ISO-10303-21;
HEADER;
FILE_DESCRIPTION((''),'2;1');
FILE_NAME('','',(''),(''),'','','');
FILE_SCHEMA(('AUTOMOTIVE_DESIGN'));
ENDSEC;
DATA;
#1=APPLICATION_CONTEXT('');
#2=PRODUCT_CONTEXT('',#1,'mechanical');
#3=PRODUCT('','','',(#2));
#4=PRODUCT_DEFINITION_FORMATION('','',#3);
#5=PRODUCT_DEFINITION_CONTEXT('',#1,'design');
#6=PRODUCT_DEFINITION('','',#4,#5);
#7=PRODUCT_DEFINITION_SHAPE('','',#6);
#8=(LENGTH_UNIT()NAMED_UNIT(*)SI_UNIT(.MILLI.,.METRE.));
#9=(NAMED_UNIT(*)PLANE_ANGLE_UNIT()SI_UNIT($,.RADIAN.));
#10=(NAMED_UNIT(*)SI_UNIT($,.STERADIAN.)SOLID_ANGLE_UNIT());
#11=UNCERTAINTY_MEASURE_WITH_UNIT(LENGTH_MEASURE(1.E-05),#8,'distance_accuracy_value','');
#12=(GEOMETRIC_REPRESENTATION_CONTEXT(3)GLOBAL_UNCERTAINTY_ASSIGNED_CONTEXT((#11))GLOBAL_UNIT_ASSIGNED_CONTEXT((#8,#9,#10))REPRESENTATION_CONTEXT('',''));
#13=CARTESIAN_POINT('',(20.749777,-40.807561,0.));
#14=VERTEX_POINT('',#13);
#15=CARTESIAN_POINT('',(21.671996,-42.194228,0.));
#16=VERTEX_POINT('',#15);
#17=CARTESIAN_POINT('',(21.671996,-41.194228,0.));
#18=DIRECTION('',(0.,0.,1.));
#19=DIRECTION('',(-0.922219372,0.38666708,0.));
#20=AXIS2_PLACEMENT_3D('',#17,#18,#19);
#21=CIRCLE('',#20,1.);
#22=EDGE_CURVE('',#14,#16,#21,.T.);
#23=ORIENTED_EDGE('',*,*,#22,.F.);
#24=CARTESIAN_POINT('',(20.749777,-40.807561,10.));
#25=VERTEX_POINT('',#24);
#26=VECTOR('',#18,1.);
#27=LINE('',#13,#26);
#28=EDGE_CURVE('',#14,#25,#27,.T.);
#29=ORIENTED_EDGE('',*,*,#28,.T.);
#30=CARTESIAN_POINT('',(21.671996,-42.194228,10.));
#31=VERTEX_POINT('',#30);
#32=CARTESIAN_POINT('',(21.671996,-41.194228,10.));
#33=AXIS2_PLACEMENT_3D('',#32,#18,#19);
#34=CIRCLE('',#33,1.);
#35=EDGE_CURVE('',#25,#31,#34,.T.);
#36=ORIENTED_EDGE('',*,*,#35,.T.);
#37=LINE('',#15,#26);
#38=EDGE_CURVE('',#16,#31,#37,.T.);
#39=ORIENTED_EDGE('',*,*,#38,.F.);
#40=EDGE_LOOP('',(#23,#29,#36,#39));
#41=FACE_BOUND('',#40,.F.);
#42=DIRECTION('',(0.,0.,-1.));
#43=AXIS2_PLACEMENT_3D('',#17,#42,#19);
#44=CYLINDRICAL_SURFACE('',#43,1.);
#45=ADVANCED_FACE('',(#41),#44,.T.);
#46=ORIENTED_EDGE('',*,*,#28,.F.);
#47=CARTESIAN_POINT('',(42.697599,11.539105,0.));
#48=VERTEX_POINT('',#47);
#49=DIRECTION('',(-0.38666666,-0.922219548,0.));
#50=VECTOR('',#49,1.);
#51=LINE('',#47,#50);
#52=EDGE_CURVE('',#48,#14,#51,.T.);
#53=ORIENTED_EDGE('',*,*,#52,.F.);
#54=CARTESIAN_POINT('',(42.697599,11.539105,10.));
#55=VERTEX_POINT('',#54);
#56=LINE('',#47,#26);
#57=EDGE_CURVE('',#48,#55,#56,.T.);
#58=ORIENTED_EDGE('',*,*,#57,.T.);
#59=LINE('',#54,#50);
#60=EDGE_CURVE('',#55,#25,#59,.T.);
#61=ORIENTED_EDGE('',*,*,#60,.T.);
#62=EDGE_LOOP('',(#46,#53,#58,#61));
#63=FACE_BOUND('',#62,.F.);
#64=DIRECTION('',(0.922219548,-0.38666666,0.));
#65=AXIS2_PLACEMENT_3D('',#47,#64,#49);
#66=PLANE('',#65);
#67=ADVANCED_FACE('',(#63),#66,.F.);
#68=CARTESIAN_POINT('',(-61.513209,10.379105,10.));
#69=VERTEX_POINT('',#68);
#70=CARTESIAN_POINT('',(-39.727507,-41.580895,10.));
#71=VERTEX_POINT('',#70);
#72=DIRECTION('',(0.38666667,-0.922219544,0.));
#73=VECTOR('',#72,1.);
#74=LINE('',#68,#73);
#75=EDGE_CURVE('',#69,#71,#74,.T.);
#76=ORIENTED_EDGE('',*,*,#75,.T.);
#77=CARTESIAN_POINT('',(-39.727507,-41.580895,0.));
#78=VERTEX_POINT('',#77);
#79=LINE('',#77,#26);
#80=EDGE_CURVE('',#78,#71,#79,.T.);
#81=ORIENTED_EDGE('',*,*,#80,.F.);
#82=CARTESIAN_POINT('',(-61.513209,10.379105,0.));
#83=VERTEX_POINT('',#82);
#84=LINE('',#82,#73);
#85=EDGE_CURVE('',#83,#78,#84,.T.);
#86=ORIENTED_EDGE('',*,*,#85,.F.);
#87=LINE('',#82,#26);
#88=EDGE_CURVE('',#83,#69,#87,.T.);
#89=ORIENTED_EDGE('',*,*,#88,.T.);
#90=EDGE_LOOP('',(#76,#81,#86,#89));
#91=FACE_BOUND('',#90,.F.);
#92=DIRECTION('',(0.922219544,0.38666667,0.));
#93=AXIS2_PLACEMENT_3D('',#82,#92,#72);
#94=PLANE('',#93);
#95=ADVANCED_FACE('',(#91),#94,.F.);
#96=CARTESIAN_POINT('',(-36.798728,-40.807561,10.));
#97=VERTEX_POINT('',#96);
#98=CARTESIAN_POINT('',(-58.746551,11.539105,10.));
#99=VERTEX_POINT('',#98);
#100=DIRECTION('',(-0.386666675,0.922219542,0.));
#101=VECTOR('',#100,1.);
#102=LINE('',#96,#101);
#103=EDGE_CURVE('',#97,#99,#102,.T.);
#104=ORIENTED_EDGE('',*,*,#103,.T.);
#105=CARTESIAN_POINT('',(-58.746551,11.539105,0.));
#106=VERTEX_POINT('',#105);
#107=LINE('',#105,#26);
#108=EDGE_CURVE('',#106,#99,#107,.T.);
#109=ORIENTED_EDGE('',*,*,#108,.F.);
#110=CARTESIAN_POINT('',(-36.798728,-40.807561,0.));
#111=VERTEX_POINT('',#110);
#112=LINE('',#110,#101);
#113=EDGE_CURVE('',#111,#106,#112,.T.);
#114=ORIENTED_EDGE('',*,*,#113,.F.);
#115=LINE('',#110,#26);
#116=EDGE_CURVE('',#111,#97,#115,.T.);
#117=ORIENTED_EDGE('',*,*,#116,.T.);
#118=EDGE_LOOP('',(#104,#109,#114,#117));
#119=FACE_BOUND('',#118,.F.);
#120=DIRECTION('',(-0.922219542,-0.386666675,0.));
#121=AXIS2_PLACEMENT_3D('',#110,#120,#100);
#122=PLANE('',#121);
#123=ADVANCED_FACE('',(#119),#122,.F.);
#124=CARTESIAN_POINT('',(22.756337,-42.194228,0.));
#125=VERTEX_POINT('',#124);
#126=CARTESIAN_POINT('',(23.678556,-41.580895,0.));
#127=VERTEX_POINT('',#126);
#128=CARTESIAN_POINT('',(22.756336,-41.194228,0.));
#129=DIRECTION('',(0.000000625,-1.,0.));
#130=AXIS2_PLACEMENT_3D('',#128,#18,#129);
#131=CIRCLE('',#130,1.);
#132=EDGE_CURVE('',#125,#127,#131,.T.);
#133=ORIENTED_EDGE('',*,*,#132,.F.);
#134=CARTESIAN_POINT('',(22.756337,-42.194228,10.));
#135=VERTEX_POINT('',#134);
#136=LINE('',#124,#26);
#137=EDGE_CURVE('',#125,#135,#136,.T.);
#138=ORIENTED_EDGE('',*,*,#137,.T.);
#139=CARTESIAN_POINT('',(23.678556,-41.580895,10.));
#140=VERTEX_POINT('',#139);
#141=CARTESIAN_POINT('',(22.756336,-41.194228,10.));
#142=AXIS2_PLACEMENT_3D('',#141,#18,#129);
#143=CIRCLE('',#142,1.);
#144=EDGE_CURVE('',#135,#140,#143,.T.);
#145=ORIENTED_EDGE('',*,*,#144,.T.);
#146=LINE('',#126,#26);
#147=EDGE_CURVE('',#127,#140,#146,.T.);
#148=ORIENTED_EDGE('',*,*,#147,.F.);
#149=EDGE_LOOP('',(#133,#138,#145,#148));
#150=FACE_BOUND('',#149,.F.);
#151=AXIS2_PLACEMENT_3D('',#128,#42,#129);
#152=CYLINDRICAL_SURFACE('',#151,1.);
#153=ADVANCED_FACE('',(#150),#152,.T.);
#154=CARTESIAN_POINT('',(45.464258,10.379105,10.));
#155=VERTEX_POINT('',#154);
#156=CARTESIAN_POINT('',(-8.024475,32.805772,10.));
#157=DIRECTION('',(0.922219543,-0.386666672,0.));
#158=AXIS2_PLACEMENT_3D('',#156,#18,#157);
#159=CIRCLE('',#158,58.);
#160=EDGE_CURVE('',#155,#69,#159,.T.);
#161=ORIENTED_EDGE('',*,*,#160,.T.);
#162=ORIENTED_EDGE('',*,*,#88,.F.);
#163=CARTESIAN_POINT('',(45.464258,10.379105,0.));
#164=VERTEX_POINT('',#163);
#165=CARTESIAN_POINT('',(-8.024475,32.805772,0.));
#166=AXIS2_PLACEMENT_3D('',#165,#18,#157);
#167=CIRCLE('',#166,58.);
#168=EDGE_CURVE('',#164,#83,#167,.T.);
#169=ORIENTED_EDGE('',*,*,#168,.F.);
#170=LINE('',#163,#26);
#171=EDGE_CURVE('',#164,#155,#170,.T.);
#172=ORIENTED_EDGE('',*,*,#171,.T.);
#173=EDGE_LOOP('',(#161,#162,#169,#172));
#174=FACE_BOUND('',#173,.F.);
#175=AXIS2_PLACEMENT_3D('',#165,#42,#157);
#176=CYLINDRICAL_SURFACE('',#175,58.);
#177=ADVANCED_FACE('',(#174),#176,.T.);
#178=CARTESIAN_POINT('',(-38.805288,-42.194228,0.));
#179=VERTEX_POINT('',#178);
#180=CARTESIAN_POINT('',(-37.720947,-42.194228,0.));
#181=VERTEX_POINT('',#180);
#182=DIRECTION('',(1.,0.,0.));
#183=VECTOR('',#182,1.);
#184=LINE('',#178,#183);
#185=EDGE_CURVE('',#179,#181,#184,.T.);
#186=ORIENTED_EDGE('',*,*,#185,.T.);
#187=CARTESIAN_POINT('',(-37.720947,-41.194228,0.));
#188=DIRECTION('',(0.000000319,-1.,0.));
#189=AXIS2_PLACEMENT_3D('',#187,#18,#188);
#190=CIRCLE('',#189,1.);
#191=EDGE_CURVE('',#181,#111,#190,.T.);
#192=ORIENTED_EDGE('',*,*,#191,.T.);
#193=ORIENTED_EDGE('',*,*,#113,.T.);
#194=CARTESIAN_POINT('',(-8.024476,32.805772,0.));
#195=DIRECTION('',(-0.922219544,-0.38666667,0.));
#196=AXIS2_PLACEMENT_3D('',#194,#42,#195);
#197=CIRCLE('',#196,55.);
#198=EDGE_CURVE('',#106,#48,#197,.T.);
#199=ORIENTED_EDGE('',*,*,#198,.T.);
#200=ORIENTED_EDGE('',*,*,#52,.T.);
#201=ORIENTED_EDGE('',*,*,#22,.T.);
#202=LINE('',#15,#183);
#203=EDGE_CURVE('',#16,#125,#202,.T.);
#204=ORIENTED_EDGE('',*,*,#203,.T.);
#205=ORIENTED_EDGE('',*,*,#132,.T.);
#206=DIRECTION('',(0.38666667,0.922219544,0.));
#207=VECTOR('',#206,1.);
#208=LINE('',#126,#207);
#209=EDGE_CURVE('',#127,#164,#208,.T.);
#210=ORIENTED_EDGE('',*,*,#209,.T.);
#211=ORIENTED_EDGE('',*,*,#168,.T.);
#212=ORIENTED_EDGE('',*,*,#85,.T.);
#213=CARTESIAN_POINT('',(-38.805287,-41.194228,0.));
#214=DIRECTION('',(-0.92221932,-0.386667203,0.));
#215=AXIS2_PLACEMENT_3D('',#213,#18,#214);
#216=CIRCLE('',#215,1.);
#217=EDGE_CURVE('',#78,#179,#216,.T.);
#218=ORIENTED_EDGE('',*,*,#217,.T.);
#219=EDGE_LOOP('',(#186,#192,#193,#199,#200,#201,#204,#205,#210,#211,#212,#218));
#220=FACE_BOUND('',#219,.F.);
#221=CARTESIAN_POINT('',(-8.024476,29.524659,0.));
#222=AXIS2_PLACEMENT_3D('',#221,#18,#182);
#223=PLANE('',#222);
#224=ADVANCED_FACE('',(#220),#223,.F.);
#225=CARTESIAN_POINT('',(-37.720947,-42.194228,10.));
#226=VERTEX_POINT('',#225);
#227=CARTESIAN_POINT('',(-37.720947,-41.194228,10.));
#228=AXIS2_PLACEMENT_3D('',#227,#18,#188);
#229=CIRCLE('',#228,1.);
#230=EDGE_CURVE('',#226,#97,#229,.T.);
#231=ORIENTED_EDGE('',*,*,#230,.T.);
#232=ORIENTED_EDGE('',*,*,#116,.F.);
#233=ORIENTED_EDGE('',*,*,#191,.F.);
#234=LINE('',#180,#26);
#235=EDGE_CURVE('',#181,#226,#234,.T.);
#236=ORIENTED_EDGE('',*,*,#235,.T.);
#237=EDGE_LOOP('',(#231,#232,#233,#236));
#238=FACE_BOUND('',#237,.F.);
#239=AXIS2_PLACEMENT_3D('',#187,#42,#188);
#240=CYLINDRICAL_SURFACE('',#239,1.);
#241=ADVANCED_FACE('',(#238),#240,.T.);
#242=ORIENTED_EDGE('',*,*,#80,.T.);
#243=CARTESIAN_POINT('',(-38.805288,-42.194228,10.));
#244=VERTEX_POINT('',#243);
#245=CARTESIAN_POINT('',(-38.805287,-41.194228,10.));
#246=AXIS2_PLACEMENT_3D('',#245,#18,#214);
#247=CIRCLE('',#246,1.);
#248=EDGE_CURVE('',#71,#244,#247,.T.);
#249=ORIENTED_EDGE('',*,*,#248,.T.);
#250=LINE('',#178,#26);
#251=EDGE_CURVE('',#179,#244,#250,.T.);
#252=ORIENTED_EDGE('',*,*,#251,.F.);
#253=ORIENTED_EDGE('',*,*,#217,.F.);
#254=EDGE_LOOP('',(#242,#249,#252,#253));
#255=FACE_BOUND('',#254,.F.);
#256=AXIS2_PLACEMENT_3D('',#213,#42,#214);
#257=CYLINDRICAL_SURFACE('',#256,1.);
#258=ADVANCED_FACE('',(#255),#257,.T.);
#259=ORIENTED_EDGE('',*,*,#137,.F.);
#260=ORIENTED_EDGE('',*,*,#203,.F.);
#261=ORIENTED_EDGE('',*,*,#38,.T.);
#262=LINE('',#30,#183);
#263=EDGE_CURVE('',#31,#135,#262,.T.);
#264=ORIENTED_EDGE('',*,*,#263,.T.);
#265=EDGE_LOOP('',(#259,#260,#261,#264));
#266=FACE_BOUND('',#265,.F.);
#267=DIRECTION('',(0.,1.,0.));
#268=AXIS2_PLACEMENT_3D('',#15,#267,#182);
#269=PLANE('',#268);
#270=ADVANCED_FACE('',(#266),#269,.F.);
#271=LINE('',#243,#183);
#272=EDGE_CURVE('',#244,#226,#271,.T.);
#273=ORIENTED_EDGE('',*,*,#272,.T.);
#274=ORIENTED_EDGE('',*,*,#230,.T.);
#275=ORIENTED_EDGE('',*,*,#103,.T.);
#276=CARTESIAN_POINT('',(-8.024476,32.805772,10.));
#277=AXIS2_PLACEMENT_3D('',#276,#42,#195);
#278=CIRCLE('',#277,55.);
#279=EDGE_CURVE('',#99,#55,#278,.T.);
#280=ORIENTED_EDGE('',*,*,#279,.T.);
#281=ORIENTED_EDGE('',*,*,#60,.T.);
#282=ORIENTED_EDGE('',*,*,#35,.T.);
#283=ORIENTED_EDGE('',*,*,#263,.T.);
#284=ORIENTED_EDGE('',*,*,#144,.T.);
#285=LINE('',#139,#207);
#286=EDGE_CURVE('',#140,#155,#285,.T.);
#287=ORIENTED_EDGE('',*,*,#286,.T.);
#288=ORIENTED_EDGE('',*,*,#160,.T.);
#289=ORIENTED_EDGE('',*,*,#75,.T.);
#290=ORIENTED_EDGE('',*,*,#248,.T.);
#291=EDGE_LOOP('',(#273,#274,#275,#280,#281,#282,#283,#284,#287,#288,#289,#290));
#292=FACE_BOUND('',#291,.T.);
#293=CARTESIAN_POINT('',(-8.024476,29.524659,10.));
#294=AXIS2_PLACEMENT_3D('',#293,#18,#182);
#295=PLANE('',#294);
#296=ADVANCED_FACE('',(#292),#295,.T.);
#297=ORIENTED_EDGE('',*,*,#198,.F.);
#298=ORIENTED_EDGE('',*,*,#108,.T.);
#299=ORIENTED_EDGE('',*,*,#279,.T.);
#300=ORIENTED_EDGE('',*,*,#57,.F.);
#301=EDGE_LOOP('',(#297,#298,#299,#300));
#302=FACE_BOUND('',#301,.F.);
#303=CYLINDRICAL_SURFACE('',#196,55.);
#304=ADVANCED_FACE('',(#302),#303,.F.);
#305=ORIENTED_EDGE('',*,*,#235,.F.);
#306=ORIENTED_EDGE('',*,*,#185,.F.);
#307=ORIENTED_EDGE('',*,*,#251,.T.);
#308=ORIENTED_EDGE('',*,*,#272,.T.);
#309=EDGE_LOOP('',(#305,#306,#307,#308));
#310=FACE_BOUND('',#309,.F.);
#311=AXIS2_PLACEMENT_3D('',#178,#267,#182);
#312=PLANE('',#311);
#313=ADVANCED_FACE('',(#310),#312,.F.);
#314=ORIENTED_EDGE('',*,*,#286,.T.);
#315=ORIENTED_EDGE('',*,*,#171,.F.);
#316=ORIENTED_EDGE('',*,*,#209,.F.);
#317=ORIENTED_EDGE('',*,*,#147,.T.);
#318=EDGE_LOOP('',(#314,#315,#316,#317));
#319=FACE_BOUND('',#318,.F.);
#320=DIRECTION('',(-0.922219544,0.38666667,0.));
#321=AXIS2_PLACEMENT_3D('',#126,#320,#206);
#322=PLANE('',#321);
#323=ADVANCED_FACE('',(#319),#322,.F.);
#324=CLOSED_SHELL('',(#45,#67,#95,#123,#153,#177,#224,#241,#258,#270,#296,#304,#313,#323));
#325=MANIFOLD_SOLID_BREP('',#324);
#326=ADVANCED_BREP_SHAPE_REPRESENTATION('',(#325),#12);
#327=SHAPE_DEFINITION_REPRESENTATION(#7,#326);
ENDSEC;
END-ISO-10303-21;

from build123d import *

# Parameters (mm, degrees)
F1_DEPTH = 10


with BuildPart() as f1:
    # F0 (on Top) → F1 (new body)
    with BuildSketch(Plane.XY):
        with BuildLine():
            ThreePointArc((-58.746551, 11.539105), (-8.024476, 87.805772), (42.697599, 11.539105))
            Line((42.697599, 11.539105), (20.749777, -40.807561))
            ThreePointArc((20.749777, -40.807561), (20.83933, -41.748003), (21.671996, -42.194228))
            Line((21.671996, -42.194228), (22.756337, -42.194228))
            ThreePointArc((22.756337, -42.194228), (23.310112, -42.026894), (23.678556, -41.580895))
            Line((23.678556, -41.580895), (45.464258, 10.379105))
            ThreePointArc((45.464258, 10.379105), (-8.024476, 90.805772), (-61.513209, 10.379105))
            Line((-61.513209, 10.379105), (-39.727507, -41.580895))
            ThreePointArc((-39.727507, -41.580895), (-39.359063, -42.026894), (-38.805288, -42.194228))
            Line((-38.805288, -42.194228), (-37.720947, -42.194228))
            ThreePointArc((-37.720947, -42.194228), (-36.888281, -41.748003), (-36.798728, -40.807561))
            Line((-36.798728, -40.807561), (-58.746551, 11.539105))
        make_face()
    extrude(amount=F1_DEPTH)


solid = f1.part
